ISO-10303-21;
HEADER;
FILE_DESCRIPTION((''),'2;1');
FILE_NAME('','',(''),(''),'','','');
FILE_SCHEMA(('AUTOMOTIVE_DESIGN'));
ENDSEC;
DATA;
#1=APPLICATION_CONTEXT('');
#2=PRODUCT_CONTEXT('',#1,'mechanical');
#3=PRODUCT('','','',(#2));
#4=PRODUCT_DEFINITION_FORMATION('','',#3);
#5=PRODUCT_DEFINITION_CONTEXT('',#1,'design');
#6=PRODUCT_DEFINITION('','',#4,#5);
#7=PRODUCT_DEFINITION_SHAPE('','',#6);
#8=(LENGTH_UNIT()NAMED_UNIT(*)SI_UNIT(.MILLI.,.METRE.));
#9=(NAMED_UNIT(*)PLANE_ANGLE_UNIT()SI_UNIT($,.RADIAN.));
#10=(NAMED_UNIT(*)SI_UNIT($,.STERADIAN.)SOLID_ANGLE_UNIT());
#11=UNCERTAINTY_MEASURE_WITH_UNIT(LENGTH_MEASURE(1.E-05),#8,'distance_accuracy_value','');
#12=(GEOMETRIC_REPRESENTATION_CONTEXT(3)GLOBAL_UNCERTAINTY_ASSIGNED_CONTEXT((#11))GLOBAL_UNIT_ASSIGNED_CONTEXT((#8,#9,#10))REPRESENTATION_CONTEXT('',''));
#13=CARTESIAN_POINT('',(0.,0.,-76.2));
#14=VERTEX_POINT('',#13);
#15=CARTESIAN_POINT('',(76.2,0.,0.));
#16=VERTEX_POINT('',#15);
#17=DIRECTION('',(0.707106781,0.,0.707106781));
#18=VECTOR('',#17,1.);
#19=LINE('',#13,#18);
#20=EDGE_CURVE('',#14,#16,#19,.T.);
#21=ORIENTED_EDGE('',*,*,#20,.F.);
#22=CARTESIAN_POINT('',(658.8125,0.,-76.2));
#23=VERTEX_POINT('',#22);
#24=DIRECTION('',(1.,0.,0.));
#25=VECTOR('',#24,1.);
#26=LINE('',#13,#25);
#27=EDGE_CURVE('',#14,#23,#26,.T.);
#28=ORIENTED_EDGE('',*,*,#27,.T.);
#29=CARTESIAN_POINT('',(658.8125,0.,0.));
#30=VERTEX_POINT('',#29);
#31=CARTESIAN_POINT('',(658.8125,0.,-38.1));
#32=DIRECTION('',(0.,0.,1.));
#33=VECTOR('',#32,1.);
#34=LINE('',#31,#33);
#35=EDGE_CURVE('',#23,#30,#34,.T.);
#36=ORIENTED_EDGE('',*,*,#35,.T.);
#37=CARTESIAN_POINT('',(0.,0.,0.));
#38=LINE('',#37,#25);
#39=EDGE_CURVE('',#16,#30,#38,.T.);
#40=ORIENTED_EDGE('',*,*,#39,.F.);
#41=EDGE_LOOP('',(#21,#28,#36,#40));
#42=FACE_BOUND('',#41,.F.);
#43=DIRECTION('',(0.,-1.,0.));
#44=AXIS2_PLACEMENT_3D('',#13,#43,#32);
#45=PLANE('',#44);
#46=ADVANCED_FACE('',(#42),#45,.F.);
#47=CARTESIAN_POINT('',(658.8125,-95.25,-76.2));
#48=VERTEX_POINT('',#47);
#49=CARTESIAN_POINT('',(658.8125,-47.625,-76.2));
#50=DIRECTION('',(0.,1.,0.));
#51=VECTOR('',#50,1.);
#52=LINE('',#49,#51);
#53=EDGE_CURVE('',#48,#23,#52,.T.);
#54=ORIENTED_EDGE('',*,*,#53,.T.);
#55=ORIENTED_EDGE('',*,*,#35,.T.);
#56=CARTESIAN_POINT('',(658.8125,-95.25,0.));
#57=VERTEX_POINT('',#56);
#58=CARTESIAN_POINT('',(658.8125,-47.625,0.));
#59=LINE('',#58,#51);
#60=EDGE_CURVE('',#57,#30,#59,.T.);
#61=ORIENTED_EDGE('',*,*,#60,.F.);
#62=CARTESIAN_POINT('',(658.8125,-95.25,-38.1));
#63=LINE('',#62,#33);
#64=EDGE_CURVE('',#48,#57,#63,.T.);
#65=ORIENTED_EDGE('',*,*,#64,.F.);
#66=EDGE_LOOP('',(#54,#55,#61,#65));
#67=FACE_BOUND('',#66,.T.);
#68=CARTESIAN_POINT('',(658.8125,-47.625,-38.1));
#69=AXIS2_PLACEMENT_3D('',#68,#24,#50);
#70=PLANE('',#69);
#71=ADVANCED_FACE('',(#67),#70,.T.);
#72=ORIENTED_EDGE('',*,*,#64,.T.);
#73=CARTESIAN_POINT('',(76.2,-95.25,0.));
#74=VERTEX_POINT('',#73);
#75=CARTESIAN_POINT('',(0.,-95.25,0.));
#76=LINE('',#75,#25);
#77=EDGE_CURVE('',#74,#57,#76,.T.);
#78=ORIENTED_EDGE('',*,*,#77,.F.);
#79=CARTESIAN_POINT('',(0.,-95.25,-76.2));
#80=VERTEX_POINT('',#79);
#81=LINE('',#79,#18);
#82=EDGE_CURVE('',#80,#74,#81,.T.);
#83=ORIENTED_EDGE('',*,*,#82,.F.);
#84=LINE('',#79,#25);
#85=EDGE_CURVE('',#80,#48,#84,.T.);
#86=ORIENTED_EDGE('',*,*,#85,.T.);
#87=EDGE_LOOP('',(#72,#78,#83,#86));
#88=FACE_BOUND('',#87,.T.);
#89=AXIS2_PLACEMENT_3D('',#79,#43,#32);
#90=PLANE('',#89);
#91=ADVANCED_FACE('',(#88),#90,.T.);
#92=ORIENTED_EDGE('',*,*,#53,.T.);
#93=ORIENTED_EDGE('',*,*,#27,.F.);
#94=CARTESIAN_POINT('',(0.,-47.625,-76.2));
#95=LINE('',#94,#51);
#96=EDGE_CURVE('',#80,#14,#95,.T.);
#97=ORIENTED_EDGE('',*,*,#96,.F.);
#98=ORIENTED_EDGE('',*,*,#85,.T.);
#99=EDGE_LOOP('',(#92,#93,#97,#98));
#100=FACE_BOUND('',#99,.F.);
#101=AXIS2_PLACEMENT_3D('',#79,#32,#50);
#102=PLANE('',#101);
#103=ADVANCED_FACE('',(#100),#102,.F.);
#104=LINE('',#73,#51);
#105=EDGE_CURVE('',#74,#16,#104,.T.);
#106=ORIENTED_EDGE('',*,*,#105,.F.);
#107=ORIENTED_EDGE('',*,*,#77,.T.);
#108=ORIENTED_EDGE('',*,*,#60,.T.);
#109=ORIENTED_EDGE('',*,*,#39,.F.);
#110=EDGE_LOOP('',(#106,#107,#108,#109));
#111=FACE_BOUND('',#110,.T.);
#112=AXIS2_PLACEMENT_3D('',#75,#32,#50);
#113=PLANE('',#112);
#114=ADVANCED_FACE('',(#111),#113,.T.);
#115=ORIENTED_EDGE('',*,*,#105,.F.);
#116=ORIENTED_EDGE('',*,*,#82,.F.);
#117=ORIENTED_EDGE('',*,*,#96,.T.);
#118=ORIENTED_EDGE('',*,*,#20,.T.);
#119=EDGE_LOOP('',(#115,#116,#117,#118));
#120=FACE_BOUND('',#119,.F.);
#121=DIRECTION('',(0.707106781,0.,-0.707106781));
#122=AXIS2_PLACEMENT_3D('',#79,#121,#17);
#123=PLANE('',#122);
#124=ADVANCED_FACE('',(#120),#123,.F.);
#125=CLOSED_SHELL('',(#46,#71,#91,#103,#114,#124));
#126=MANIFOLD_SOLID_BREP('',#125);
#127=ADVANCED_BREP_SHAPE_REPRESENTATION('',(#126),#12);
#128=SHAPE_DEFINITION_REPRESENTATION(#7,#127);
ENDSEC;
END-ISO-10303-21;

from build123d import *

# Parameters (mm, degrees)
F0_W     = 95.25
F0_H     = 76.2
F1_DEPTH = 658.8125
F3_DEPTH = 95.251


with BuildPart() as f1:
    # F0 (on Right) → F1 (new body)
    with BuildSketch(Plane.YZ):
        with Locations((-47.625, -38.1)):
            Rectangle(F0_W, F0_H)
    extrude(amount=F1_DEPTH)

    # F2 (on face) → F3 (cut, through all)
    with BuildSketch(Plane.XZ.offset(95.25)):
        Polygon((76.2, 0), (0, 0), (0, -76.2), align=None)
    extrude(amount=-F3_DEPTH, mode=Mode.SUBTRACT)


solid = f1.part
